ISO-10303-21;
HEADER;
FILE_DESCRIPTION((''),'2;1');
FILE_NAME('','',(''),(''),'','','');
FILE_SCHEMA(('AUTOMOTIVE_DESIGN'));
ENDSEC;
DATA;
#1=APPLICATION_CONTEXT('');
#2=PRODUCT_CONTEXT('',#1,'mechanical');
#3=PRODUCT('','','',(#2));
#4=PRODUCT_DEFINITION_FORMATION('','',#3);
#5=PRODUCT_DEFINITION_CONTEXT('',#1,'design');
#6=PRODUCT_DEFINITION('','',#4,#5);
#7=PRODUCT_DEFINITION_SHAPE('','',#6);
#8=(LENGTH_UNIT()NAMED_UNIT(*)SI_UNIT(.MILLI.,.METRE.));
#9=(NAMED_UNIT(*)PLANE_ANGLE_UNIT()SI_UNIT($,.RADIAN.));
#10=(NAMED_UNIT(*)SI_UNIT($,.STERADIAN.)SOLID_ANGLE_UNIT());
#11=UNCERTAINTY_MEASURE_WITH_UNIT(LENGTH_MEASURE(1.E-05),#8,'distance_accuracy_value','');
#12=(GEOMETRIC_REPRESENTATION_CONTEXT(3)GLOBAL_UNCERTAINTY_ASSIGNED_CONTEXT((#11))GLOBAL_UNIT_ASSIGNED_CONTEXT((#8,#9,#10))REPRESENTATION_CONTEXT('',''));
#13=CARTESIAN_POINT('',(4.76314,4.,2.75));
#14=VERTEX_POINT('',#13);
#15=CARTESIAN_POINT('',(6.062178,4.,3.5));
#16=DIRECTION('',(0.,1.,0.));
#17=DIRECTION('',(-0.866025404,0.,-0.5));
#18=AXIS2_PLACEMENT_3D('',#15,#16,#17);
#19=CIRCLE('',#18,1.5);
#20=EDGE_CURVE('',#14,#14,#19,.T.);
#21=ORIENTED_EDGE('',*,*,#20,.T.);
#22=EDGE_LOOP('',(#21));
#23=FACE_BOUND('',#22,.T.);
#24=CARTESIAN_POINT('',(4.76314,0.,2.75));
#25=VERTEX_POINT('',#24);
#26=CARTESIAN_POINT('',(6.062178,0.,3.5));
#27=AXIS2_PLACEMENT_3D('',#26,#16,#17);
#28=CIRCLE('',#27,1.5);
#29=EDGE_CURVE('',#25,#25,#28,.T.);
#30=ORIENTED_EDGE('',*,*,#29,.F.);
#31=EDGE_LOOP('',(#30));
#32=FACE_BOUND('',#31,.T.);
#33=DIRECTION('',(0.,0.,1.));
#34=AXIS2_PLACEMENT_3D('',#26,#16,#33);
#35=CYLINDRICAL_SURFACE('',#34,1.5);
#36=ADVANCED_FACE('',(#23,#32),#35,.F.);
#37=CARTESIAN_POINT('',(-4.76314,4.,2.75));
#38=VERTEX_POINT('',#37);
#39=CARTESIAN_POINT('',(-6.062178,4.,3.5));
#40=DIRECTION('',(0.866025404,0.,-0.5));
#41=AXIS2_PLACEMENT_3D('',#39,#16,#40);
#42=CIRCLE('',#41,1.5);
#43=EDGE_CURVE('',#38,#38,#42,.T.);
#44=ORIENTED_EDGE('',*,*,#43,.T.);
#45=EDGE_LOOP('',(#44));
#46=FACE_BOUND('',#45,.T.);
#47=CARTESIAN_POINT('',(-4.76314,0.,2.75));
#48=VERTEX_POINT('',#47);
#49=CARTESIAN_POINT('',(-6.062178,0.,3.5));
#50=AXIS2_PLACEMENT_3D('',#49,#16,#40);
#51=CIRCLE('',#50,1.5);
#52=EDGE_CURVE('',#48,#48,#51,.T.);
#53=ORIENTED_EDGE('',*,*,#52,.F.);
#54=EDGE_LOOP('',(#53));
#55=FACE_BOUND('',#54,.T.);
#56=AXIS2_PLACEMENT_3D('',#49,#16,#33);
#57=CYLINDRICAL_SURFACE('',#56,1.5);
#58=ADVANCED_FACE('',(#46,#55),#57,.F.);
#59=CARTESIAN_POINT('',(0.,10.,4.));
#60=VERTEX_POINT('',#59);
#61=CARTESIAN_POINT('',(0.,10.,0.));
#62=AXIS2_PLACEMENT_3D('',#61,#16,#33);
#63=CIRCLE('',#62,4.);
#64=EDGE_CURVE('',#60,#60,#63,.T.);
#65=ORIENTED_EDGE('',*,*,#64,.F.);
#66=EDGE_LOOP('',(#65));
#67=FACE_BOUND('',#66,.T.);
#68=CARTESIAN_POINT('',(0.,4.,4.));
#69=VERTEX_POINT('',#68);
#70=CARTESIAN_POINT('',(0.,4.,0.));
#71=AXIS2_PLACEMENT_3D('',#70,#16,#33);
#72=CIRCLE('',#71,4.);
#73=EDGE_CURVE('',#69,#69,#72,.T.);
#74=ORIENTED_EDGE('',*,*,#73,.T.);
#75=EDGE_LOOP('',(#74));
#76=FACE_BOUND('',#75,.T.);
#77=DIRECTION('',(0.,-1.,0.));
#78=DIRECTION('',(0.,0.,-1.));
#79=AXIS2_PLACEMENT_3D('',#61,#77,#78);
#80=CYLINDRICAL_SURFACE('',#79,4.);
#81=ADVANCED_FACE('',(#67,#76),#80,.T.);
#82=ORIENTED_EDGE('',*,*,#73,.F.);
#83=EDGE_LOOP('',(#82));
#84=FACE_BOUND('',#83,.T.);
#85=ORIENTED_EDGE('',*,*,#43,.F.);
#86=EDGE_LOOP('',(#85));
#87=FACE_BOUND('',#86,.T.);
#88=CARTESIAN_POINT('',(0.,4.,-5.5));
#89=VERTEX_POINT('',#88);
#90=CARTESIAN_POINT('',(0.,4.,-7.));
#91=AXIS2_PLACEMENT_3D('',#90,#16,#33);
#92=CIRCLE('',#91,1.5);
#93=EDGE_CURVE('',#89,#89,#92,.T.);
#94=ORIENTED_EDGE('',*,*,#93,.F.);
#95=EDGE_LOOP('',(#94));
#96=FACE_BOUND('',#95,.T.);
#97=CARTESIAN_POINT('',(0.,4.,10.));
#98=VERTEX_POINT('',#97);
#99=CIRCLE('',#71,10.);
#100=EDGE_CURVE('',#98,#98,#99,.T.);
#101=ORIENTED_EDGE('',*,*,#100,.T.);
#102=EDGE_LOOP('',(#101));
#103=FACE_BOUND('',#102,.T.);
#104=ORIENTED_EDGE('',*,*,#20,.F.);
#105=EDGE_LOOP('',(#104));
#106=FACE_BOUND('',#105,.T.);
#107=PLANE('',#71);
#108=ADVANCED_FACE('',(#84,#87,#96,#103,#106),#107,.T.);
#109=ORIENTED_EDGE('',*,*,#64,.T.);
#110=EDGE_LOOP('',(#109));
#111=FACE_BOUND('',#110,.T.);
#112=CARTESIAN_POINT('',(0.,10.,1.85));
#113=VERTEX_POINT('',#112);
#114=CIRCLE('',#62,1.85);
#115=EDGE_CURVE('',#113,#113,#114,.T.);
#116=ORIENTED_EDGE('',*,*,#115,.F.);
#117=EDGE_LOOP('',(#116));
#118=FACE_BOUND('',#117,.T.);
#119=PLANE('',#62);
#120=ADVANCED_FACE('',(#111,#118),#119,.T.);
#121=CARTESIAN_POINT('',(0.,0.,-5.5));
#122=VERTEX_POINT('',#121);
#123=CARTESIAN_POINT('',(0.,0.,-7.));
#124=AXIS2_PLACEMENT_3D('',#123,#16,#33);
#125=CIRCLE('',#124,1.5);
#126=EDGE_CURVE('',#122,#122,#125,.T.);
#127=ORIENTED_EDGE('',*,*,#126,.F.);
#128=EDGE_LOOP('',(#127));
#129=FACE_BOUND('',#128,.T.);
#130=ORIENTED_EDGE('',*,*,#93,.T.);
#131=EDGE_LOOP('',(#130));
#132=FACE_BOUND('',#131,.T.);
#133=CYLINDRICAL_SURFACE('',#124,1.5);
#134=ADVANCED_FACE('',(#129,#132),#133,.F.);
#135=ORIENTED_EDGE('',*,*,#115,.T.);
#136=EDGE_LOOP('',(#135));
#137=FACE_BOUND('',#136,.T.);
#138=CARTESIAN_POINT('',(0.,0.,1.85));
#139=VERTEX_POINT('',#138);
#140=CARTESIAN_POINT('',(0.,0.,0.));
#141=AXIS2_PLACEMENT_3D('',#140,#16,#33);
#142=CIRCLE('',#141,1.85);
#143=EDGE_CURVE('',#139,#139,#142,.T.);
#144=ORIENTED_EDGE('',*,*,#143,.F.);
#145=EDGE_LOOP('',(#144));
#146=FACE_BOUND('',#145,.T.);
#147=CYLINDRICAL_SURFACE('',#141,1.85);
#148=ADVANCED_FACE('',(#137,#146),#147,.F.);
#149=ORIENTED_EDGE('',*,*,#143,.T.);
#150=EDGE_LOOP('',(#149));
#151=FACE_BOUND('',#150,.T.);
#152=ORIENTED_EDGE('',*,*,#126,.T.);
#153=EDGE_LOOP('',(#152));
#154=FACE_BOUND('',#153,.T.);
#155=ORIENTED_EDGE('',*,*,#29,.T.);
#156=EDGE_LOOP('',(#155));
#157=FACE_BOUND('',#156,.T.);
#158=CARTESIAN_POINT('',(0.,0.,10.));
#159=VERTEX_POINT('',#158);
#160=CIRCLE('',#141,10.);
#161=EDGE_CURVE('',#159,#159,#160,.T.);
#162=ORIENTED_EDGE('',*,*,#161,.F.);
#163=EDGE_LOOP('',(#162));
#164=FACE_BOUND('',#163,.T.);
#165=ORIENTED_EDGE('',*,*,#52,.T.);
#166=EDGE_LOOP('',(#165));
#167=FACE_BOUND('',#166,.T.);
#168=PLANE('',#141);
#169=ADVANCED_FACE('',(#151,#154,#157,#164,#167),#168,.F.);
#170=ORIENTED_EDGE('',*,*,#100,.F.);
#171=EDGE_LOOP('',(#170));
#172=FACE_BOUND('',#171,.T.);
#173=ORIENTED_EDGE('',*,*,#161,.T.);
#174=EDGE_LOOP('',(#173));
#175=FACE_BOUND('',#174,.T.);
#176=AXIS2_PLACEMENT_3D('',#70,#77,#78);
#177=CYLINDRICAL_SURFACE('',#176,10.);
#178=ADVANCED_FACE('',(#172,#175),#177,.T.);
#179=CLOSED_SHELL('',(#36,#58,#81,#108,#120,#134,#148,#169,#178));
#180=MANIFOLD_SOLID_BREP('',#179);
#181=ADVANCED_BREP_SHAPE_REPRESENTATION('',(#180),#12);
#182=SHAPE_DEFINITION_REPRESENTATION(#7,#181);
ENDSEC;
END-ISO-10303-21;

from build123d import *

# Parameters (mm, degrees)
SKETCH1_R           = 10
BOSS_EXTRUDE1_DEPTH = 4
SKETCH2_R           = 4
BOSS_EXTRUDE2_DEPTH = 6
SKETCH3_R           = 1.85
CUT_EXTRUDE1_DEPTH  = 18.320508076
SKETCH4_R           = 1.5
CUT_EXTRUDE2_DEPTH  = 16.362291496
CIRPATTERN1_COUNT   = 3


with BuildPart() as part:
    # Sketch1 → Boss-Extrude1 (new body)
    with BuildSketch(Plane(origin=(0, 0, 0), x_dir=(1, 0, 0), z_dir=(0, 1, 0))):
        with Locations(Location((0, 0, 0), (0, 0, 270))):
            Circle(SKETCH1_R)
    extrude(amount=BOSS_EXTRUDE1_DEPTH)

    # Sketch2 → Boss-Extrude2 (add)
    with BuildSketch(Plane(origin=(0, 4, 0), x_dir=(1, 0, 0), z_dir=(0, 1, 0))):
        with Locations(Location((0, 0, 0), (0, 0, 270))):
            Circle(SKETCH2_R)
    extrude(amount=BOSS_EXTRUDE2_DEPTH)

    # Sketch3 → Cut-Extrude1 (cut, through all)
    with BuildSketch(Plane(origin=(0, 10, 0), x_dir=(1, 0, 0), z_dir=(0, 1, 0))):
        with Locations(Location((0, 0, 0), (0, 0, 270))):
            Circle(SKETCH3_R)
    extrude(amount=-CUT_EXTRUDE1_DEPTH, mode=Mode.SUBTRACT)

    # Sketch4 → Cut-Extrude2 (cut, through all)
    with BuildSketch(Plane(origin=(0, 4, 0), x_dir=(1, 0, 0), z_dir=(0, 1, 0))):
        with Locations(Location((0, 7, 0), (0, 0, 270))):
            Circle(SKETCH4_R)
    cut_extrude2 = extrude(amount=-CUT_EXTRUDE2_DEPTH, mode=Mode.SUBTRACT)

    # CirPattern1: Cut-Extrude2 ×3 about axis
    cirpattern1_axis = Axis((0, 0, 0), (0, 1, 0))
    for i in range(1, CIRPATTERN1_COUNT):
        add(cut_extrude2.rotate(cirpattern1_axis, i * 360 / CIRPATTERN1_COUNT), mode=Mode.SUBTRACT)


solid = part.part
